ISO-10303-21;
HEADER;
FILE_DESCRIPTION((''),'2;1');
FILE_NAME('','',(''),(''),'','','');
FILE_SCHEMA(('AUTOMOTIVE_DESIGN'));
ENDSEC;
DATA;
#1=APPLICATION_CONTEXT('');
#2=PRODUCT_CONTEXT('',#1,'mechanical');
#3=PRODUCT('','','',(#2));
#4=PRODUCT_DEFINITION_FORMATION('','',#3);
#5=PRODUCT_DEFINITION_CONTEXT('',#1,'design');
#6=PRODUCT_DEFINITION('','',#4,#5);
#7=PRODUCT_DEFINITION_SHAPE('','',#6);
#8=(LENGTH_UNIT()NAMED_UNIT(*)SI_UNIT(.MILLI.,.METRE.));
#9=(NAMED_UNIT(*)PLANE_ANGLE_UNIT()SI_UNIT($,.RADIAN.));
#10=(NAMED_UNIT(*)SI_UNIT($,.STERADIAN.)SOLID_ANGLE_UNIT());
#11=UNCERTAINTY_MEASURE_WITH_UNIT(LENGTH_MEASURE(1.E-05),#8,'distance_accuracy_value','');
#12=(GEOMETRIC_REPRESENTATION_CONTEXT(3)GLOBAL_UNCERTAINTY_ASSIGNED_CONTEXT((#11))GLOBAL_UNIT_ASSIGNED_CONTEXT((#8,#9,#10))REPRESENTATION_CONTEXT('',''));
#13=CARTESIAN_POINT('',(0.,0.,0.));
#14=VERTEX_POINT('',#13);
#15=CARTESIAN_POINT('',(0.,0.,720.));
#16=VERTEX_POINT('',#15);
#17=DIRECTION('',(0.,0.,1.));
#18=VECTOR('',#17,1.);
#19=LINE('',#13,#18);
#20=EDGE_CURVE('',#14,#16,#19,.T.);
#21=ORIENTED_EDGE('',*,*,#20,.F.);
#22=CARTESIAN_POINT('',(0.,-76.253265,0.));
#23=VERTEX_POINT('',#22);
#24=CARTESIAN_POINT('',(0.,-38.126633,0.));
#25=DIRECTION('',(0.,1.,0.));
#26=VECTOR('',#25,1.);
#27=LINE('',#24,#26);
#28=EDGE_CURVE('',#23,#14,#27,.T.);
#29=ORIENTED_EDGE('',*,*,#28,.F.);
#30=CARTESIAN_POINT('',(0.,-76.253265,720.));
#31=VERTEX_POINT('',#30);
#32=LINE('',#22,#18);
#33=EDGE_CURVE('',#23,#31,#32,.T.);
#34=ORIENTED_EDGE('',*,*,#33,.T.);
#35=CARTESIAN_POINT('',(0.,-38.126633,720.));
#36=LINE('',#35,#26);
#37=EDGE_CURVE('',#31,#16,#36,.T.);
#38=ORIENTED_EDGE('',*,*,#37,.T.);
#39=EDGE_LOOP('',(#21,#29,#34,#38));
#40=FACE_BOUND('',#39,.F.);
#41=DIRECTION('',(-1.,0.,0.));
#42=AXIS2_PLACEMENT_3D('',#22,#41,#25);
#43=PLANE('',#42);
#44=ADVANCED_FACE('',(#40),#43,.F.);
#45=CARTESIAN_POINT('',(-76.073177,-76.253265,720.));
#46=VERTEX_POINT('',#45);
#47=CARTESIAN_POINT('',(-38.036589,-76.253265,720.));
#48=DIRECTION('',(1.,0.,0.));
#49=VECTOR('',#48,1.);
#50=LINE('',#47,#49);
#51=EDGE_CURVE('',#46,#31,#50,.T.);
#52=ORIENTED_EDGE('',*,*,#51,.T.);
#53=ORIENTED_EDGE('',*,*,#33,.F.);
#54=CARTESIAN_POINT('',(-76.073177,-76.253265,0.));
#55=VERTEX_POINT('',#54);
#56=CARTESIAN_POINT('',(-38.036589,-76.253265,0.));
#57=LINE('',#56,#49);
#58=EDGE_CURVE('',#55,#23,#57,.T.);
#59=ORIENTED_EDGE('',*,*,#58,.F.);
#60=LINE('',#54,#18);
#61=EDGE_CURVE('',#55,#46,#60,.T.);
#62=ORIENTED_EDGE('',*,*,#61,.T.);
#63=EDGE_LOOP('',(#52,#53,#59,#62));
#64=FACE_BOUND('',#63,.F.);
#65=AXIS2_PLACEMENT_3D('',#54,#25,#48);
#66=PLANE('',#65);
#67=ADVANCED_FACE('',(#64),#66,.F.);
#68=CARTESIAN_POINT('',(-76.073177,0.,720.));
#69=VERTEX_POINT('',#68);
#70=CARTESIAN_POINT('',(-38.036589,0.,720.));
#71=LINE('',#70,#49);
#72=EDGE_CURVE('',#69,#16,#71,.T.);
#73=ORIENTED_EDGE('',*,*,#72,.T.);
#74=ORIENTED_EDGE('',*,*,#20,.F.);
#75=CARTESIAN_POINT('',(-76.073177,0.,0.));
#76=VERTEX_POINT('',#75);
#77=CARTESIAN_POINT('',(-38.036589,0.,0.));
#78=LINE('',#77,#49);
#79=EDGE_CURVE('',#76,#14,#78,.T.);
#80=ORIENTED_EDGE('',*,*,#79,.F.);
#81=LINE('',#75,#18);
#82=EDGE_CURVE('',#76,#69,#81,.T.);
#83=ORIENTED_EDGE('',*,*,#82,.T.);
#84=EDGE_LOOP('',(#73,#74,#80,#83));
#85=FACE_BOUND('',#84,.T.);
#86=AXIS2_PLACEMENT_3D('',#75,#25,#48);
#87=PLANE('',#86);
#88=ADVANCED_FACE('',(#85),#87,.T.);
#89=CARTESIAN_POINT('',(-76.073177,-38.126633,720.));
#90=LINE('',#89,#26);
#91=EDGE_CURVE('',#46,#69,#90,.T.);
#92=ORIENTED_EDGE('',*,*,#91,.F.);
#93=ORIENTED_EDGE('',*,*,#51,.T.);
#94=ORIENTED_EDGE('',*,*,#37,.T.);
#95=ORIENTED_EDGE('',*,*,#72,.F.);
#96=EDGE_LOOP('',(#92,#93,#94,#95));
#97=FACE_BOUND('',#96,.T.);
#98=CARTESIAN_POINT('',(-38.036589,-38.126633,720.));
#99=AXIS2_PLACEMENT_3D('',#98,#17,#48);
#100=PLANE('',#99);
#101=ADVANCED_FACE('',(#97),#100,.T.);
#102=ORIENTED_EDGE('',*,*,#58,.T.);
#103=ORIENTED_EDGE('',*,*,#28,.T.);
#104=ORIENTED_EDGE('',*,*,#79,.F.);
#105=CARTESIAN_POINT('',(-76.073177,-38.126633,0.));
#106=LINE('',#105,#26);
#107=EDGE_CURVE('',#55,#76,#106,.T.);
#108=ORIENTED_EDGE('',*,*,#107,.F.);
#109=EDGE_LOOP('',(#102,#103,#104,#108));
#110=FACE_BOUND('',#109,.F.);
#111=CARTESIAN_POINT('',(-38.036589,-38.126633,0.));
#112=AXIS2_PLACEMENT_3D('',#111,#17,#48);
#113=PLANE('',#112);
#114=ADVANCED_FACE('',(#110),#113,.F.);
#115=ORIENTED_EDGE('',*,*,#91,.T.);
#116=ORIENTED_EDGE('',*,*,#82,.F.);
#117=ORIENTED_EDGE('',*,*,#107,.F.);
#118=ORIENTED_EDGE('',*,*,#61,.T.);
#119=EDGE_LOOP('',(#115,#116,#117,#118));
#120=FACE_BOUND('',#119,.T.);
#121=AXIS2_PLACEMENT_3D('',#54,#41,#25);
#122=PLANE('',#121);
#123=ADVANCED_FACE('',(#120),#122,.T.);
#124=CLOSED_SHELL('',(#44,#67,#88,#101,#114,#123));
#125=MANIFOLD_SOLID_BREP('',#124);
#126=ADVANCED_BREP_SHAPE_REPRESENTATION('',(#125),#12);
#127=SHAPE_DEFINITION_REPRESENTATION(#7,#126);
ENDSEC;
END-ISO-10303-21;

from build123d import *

# Parameters (mm, degrees)
F1_W     = 76.0731771588
F1_H     = 76.2532651424
F2_DEPTH = 720


with BuildPart() as f2:
    # F1 (on face) → F2 (new body)
    with BuildSketch(Plane.XY):
        with Locations((-38.0365885794, -38.1266325712)):
            Rectangle(F1_W, F1_H)
    extrude(amount=F2_DEPTH)


solid = f2.part
